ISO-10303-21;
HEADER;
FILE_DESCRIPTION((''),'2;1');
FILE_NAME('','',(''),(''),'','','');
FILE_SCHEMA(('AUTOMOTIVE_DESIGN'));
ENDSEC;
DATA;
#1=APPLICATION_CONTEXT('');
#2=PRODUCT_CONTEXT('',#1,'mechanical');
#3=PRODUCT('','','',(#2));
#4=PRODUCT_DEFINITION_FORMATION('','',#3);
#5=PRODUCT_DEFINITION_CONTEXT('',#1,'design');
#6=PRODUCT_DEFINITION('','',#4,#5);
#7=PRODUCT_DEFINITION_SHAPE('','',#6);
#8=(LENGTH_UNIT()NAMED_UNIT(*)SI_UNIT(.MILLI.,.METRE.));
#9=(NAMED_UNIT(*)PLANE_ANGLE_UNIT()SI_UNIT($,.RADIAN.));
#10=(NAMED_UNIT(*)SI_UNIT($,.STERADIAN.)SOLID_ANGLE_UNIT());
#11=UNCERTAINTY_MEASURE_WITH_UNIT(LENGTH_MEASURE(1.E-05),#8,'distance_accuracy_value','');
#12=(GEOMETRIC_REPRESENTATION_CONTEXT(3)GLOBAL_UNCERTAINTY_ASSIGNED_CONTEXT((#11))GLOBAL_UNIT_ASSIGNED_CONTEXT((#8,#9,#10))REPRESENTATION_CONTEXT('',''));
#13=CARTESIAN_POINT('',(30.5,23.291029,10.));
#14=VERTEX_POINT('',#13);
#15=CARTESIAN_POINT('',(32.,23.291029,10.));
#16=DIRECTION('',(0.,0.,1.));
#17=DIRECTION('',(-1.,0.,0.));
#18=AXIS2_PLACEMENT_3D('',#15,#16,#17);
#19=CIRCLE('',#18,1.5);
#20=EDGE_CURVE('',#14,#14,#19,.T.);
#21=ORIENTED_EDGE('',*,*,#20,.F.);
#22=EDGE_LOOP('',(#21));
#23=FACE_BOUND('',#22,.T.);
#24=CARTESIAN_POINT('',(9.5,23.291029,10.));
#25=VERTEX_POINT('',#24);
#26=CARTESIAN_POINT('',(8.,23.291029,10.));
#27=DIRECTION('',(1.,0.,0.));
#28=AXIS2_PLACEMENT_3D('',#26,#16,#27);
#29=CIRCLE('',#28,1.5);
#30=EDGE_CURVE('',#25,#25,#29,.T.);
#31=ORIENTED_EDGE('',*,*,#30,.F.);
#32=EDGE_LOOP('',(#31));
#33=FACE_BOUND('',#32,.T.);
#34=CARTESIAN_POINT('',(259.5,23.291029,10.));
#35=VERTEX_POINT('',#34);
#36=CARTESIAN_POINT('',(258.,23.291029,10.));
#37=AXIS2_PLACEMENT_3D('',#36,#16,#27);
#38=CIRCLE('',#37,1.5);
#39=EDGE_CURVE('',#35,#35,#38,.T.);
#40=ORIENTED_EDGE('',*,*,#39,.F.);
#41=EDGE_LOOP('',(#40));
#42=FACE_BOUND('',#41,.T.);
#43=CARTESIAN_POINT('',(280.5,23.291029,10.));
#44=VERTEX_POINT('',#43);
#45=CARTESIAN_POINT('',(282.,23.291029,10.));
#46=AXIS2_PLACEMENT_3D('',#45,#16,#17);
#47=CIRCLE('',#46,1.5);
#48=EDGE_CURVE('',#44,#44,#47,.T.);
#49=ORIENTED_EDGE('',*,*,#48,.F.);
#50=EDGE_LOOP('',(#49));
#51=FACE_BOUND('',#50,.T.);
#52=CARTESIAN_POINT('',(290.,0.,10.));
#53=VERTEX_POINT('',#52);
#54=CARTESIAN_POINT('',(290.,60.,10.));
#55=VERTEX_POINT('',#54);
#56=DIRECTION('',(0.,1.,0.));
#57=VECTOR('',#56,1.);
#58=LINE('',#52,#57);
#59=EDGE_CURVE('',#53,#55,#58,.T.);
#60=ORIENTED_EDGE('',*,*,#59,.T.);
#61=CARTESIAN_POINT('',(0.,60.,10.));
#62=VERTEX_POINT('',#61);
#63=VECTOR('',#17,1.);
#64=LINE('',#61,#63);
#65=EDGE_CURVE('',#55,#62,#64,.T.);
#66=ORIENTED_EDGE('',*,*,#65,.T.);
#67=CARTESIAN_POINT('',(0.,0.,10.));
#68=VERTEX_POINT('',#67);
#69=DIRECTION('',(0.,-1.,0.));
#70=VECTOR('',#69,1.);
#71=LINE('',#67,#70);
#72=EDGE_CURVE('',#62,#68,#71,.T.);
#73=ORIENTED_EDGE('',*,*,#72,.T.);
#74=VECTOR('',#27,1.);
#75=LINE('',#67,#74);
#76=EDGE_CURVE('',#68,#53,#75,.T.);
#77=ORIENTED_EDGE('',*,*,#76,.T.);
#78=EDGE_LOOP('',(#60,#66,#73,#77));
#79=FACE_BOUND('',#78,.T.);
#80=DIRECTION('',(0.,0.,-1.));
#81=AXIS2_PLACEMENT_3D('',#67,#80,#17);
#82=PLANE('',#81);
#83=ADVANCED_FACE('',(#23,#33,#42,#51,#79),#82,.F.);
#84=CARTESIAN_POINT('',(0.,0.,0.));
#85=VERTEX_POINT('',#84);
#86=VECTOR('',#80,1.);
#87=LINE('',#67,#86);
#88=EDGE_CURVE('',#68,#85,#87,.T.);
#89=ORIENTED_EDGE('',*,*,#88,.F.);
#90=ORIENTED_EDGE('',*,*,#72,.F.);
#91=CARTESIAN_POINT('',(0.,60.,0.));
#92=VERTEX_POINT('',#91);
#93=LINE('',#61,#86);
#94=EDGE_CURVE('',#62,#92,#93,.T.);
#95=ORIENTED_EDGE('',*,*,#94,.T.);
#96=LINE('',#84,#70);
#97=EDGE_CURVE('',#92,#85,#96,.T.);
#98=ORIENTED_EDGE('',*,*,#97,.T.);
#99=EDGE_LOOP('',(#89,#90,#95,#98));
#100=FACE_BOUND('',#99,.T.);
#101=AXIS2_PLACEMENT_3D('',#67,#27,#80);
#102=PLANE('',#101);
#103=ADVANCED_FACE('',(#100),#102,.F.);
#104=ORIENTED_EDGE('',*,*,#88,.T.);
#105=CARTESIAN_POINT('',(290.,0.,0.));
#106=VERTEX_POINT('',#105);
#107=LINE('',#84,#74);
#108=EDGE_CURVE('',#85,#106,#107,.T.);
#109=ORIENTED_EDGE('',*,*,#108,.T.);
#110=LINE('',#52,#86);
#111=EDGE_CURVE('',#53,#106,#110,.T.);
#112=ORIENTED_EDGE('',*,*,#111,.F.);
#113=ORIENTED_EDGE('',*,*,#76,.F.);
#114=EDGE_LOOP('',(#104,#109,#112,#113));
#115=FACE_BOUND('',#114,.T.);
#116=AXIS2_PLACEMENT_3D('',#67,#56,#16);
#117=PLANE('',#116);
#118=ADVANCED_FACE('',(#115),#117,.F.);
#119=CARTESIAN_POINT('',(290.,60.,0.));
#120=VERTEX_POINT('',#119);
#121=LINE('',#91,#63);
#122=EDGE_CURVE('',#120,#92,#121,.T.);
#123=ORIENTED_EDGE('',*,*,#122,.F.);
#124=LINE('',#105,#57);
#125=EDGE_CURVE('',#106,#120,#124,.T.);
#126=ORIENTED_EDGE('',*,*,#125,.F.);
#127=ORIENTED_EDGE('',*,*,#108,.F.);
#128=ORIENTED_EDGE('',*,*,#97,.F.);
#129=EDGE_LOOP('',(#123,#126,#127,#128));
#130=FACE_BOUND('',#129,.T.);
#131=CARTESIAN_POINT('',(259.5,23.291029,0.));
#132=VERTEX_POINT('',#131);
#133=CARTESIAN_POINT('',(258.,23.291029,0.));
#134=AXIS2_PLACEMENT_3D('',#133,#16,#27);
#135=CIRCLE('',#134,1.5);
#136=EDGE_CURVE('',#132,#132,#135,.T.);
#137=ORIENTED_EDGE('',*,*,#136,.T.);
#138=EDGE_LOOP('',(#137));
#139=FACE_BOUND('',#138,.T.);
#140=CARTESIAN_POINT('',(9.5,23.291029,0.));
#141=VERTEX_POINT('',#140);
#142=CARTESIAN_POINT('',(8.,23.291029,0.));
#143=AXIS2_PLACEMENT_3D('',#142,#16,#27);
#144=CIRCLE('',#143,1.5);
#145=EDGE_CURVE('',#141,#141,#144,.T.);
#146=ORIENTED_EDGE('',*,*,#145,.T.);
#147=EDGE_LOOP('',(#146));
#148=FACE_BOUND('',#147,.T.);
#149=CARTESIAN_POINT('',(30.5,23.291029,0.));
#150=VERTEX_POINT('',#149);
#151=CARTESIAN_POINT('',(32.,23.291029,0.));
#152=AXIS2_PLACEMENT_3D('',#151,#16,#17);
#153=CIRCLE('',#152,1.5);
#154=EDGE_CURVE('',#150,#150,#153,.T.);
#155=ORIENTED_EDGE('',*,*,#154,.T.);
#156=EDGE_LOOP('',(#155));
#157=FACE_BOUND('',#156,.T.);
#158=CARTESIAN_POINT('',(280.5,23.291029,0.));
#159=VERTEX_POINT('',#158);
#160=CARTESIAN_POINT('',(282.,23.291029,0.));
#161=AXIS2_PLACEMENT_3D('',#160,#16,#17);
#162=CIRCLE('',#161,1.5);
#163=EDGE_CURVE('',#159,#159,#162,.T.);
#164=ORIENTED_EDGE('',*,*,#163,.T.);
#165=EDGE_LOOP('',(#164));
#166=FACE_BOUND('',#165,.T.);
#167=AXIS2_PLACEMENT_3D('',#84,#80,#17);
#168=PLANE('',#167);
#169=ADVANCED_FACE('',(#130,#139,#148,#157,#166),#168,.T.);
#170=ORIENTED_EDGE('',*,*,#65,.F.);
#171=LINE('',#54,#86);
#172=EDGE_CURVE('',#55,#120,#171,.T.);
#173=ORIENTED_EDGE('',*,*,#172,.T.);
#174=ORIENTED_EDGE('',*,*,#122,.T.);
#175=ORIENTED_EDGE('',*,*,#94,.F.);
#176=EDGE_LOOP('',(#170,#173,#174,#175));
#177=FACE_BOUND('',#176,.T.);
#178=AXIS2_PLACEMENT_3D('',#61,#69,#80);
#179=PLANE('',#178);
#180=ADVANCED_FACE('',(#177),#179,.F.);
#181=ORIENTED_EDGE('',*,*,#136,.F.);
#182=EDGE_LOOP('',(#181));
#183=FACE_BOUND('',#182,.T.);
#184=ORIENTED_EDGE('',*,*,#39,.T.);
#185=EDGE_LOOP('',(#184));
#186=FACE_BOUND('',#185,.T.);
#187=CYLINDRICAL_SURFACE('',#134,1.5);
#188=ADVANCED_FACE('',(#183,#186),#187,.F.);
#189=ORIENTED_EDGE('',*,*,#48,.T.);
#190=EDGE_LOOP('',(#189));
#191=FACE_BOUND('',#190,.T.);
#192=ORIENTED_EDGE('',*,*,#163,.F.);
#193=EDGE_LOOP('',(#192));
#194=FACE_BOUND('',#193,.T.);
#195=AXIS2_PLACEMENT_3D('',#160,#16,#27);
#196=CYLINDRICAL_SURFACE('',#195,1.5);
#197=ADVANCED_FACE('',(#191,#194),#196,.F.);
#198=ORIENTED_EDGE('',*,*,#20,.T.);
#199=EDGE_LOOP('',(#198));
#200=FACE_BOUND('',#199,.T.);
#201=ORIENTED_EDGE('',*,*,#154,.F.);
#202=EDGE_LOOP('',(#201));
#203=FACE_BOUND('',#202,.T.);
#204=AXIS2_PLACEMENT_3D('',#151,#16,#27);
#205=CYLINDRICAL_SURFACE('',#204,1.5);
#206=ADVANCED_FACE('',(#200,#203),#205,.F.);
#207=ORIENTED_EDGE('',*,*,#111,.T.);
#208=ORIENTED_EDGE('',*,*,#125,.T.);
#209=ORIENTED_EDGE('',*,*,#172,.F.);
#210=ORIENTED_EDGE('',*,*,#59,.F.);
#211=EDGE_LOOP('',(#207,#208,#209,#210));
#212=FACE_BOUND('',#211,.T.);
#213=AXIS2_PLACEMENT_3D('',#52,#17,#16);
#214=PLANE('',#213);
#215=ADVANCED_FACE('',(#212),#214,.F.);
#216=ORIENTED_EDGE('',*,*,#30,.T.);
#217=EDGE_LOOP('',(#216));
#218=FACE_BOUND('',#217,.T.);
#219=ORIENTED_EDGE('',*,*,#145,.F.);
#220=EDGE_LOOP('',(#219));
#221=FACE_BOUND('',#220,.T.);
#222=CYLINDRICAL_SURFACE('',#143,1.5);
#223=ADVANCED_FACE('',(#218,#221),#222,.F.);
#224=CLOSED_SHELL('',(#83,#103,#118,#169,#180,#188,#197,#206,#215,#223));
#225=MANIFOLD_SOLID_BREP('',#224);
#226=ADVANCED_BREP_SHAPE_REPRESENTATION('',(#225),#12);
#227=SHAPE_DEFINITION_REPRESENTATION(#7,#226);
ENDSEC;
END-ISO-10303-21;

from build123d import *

# Parameters (mm, degrees)
SKETCH_1_W          = 290
SKETCH_1_H          = 60
EXTRUDE_333_DEPTH   = 10
SKETCH_3_R          = 1.5
CUT_EXTRUDE_1_DEPTH = 297.310647801


with BuildPart() as part:
    # Эскиз1 → Extrude 333 (new body)
    with BuildSketch(Plane.XY):
        with Locations((145, 30)):
            Rectangle(SKETCH_1_W, SKETCH_1_H)
    extrude(amount=EXTRUDE_333_DEPTH)

    # Эскиз3 → Вырез-Вытянуть1 (cut, through all)
    with BuildSketch(Plane.XY.offset(10)):
        with Locations((8, 23.291028808)):
            Circle(SKETCH_3_R)
        with Locations(Location((32, 23.291028808, 0), (0, 0, 180))):
            Circle(SKETCH_3_R)
        with Locations(Location((282, 23.291028808, 0), (0, 0, 180))):
            Circle(SKETCH_3_R)
        with Locations((258, 23.291028808)):
            Circle(SKETCH_3_R)
    extrude(amount=-CUT_EXTRUDE_1_DEPTH, mode=Mode.SUBTRACT)


solid = part.part
